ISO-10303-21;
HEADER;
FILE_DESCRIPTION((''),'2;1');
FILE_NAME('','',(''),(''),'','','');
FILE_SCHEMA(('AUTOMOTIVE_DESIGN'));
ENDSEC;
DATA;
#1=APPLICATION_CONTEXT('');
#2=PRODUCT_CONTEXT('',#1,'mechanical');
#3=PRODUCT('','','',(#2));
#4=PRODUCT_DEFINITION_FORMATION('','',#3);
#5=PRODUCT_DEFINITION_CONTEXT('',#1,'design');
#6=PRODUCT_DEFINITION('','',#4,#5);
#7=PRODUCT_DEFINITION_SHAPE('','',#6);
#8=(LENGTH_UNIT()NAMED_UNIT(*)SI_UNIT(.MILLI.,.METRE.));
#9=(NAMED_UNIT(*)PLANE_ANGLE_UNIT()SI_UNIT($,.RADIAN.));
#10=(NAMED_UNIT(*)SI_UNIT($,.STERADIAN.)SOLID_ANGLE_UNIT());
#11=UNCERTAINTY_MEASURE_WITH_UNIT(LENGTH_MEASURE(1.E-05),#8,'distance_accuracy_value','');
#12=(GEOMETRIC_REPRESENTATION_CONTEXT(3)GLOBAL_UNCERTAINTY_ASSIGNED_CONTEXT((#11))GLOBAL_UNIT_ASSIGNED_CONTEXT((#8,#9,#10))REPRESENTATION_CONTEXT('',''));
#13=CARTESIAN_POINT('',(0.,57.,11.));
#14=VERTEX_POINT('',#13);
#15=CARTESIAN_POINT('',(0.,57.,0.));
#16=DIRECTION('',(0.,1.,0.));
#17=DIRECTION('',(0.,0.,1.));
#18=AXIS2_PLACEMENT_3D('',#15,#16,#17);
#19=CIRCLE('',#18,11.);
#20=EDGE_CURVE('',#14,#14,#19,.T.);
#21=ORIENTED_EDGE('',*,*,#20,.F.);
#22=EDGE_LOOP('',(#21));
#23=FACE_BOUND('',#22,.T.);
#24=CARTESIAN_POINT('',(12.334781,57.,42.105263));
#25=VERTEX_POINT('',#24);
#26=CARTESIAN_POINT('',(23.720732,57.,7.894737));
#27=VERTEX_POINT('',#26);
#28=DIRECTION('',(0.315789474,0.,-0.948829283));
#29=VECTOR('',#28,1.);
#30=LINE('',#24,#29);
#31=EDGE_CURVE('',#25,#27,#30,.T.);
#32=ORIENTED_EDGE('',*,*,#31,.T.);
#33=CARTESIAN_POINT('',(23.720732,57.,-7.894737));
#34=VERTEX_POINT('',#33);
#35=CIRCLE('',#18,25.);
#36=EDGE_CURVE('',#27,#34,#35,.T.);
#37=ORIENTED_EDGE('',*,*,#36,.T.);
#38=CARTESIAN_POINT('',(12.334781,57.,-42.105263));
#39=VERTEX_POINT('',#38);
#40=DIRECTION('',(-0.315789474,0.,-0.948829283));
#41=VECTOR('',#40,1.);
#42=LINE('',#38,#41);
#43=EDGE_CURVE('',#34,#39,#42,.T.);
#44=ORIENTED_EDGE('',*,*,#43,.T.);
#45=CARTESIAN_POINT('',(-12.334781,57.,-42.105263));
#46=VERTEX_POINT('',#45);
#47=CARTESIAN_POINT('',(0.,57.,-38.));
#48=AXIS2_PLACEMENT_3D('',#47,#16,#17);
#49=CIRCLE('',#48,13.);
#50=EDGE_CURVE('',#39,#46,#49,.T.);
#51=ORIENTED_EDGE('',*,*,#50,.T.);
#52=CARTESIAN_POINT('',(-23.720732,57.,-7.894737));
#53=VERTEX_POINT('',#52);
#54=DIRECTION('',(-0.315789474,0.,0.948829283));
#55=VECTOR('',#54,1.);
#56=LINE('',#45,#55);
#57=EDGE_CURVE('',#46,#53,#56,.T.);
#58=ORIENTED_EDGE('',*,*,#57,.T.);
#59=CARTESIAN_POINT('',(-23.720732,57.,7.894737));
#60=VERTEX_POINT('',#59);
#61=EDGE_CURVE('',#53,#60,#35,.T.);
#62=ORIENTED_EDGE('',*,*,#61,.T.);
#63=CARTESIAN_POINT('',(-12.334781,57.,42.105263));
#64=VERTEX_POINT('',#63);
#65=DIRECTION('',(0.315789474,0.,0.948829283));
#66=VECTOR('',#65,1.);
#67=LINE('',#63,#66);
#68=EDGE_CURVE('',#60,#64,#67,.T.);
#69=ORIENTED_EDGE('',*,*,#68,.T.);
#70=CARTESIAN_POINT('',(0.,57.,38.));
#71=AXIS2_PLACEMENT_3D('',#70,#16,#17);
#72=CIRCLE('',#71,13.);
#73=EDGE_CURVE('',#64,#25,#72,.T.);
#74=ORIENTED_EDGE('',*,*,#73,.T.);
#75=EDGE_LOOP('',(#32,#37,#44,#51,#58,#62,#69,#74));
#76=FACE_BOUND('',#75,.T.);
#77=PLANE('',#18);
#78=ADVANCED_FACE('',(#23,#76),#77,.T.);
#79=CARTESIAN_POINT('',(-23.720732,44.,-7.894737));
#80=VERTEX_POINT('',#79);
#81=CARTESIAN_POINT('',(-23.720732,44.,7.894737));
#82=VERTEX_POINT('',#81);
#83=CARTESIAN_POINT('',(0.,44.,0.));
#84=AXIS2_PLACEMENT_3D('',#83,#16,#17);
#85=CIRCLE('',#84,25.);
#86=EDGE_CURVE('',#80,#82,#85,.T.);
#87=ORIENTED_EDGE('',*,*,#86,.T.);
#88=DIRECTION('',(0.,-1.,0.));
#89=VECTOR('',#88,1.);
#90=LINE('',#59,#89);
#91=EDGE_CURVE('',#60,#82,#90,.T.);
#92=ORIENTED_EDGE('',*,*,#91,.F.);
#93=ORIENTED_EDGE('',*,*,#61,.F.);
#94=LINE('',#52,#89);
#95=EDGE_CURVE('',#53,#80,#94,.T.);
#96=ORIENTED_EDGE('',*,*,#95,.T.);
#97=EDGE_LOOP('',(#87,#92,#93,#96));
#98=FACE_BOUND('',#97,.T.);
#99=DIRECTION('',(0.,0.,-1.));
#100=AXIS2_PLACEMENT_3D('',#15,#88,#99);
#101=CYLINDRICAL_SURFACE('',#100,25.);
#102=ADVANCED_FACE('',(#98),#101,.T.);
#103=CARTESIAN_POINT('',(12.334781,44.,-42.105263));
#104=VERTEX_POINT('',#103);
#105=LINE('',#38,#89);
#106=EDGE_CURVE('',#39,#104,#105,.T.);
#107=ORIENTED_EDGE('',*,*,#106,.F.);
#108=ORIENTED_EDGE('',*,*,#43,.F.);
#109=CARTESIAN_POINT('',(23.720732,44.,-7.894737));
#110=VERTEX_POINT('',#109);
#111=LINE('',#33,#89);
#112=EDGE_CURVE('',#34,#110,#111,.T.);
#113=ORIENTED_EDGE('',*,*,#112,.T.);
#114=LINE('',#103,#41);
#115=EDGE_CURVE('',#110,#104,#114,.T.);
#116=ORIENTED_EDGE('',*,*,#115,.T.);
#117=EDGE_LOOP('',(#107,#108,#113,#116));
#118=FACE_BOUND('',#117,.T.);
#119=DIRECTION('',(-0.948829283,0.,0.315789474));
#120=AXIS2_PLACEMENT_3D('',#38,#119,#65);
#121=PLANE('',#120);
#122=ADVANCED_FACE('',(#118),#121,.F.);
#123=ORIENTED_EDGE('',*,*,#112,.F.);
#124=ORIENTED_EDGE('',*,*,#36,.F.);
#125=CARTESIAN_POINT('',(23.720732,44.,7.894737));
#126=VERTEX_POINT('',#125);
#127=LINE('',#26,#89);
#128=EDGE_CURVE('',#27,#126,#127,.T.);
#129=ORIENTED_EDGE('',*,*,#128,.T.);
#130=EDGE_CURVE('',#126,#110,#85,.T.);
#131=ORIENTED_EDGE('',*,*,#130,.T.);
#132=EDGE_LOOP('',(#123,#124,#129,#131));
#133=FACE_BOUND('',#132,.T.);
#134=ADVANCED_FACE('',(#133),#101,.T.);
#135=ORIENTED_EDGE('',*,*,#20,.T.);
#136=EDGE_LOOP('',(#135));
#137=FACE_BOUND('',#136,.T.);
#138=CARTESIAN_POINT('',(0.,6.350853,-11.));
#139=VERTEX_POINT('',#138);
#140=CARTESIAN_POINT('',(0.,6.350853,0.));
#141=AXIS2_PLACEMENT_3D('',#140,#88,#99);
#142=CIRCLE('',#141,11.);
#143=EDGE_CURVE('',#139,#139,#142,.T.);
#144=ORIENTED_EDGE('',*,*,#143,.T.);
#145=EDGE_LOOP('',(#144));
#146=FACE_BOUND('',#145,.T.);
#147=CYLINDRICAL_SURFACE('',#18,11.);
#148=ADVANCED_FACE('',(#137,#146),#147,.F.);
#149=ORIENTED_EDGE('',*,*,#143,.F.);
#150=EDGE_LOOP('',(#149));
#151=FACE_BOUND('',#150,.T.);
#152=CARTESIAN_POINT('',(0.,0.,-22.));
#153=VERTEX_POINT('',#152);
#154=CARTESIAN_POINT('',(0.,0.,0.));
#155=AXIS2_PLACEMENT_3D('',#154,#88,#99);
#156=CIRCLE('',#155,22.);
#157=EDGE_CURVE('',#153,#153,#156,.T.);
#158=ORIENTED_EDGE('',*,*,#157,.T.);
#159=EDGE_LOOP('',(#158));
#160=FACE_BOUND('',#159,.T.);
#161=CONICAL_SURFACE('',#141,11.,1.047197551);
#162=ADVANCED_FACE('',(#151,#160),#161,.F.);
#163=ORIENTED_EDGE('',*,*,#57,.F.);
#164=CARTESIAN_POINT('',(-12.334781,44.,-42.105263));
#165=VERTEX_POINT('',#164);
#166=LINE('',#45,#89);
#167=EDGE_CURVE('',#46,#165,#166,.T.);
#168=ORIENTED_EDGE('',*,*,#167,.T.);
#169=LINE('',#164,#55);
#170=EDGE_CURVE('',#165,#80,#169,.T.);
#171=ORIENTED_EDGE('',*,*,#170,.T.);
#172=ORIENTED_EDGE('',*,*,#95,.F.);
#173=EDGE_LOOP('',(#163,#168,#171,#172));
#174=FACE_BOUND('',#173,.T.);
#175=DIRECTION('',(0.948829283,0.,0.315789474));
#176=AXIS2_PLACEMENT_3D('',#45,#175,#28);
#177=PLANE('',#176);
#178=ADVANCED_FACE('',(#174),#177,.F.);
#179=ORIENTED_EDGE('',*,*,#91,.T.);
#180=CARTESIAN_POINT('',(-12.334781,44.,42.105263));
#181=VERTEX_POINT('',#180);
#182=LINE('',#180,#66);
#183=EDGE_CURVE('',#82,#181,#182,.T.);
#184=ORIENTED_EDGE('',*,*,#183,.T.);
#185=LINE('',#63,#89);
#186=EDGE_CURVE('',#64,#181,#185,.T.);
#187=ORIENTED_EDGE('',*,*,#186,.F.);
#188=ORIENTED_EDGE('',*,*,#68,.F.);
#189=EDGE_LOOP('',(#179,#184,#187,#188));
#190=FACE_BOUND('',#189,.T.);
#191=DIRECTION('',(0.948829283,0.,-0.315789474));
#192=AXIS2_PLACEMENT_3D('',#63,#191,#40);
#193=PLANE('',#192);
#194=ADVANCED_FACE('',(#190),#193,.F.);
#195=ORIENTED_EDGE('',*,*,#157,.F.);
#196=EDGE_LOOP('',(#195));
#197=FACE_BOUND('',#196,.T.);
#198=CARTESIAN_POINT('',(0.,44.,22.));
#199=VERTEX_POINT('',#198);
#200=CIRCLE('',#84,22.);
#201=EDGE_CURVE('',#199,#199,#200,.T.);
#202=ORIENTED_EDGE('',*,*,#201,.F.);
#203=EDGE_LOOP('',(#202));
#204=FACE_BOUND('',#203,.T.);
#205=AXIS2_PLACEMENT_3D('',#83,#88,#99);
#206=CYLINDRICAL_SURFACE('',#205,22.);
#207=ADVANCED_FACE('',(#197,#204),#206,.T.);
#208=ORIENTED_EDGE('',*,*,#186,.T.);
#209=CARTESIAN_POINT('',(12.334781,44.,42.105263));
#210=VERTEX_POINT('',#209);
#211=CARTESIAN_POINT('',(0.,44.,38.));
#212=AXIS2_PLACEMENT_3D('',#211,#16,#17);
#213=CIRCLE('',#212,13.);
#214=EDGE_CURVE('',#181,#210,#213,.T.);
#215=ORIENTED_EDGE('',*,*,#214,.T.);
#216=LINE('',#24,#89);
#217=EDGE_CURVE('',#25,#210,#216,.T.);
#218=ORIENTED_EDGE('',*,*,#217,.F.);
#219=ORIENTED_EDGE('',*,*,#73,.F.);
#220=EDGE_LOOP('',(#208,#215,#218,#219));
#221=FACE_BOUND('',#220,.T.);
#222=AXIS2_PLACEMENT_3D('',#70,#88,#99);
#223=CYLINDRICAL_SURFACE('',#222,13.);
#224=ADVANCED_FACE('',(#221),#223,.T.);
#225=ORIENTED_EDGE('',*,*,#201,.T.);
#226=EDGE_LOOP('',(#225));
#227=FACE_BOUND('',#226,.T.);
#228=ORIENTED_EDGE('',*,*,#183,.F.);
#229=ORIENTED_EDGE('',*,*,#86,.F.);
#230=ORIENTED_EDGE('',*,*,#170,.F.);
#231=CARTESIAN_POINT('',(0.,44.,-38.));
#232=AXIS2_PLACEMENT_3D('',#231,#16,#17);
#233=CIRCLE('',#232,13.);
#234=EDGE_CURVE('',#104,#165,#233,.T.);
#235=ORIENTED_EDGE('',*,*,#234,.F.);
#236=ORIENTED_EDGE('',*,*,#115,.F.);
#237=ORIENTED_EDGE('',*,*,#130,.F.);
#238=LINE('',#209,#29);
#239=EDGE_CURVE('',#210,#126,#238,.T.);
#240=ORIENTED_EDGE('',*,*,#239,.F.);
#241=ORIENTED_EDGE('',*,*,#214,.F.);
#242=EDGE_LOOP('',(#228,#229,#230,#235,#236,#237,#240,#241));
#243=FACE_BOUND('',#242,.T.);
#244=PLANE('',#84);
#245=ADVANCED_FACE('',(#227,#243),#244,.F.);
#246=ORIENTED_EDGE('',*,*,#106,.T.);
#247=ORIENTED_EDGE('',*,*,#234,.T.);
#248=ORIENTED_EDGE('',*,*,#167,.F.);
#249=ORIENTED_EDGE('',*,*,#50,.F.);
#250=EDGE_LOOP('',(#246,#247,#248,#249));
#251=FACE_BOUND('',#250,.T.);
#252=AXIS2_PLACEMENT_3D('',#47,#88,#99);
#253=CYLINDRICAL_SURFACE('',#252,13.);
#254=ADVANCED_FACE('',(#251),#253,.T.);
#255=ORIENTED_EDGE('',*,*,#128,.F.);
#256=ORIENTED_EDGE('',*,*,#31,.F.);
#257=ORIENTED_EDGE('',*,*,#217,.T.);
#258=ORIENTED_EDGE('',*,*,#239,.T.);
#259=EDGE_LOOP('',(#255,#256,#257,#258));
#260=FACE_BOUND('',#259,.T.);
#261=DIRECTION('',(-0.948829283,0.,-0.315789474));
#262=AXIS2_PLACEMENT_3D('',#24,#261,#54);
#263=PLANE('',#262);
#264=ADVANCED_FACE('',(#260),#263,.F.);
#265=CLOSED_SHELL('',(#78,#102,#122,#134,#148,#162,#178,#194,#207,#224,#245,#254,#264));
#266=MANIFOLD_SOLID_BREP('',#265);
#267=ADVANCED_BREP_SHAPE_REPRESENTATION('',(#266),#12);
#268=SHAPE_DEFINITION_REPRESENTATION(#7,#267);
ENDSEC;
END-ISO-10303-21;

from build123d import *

# Parameters (mm, degrees)
SKETCH1_R           = 22
BOSS_EXTRUDE1_DEPTH = 44
BOSS_EXTRUDE2_DEPTH = 13
HOLE1_D             = 22


with BuildPart() as part:
    # Sketch1 → Boss-Extrude1 (new body)
    with BuildSketch(Plane(origin=(0, 0, 0), x_dir=(1, 0, 0), z_dir=(0, 1, 0))):
        with Locations(Location((0, 0, 0), (0, 0, 270))):
            Circle(SKETCH1_R)
    extrude(amount=BOSS_EXTRUDE1_DEPTH)

    # Sketch2 → Boss-Extrude2 (add)
    with BuildSketch(Plane(origin=(0, 44, 0), x_dir=(1, 0, 0), z_dir=(0, 1, 0))):
        with BuildLine():
            Line((-12.334780679, 42.105263158), (-23.720732075, 7.894736842))
            ThreePointArc((-23.720732075, 7.894736842), (-25, 0), (-23.720732075, -7.894736842))
            Line((-23.720732075, -7.894736842), (-12.334780679, -42.105263158))
            ThreePointArc((-12.334780679, -42.105263158), (0, -51), (12.334780679, -42.105263158))
            Line((12.334780679, -42.105263158), (23.720732075, -7.894736842))
            ThreePointArc((23.720732075, -7.894736842), (25, 0), (23.720732075, 7.894736842))
            Line((23.720732075, 7.894736842), (12.334780679, 42.105263158))
            ThreePointArc((12.334780679, 42.105263158), (0, 51), (-12.334780679, 42.105263158))
        make_face()
    extrude(amount=BOSS_EXTRUDE2_DEPTH)

    # Hole1 (through all)
    with Locations(Plane(origin=(0, 57, 0), x_dir=(1, 0, 0), z_dir=(0, 1, 0))):
        with Locations((0, 0)):
            Hole(HOLE1_D / 2)

    # Sketch5 → Cut-Revolve1 (revolve, cut)
    with BuildSketch(Plane(origin=(0, 0, 0), x_dir=(0, 0, -1), z_dir=(1, 0, 0)), mode=Mode.PRIVATE) as cut_revolve1_sk:
        Polygon((0, 0), (0, 6.350852961), (-11, 6.350852961), (-22, 0), align=None)
    revolve(cut_revolve1_sk.sketch.rotate(Axis((0, 0, 0), (0, 1, 0)), 180), axis=Axis((0, 0, 0), (0, 1, 0)), mode=Mode.SUBTRACT)


solid = part.part
